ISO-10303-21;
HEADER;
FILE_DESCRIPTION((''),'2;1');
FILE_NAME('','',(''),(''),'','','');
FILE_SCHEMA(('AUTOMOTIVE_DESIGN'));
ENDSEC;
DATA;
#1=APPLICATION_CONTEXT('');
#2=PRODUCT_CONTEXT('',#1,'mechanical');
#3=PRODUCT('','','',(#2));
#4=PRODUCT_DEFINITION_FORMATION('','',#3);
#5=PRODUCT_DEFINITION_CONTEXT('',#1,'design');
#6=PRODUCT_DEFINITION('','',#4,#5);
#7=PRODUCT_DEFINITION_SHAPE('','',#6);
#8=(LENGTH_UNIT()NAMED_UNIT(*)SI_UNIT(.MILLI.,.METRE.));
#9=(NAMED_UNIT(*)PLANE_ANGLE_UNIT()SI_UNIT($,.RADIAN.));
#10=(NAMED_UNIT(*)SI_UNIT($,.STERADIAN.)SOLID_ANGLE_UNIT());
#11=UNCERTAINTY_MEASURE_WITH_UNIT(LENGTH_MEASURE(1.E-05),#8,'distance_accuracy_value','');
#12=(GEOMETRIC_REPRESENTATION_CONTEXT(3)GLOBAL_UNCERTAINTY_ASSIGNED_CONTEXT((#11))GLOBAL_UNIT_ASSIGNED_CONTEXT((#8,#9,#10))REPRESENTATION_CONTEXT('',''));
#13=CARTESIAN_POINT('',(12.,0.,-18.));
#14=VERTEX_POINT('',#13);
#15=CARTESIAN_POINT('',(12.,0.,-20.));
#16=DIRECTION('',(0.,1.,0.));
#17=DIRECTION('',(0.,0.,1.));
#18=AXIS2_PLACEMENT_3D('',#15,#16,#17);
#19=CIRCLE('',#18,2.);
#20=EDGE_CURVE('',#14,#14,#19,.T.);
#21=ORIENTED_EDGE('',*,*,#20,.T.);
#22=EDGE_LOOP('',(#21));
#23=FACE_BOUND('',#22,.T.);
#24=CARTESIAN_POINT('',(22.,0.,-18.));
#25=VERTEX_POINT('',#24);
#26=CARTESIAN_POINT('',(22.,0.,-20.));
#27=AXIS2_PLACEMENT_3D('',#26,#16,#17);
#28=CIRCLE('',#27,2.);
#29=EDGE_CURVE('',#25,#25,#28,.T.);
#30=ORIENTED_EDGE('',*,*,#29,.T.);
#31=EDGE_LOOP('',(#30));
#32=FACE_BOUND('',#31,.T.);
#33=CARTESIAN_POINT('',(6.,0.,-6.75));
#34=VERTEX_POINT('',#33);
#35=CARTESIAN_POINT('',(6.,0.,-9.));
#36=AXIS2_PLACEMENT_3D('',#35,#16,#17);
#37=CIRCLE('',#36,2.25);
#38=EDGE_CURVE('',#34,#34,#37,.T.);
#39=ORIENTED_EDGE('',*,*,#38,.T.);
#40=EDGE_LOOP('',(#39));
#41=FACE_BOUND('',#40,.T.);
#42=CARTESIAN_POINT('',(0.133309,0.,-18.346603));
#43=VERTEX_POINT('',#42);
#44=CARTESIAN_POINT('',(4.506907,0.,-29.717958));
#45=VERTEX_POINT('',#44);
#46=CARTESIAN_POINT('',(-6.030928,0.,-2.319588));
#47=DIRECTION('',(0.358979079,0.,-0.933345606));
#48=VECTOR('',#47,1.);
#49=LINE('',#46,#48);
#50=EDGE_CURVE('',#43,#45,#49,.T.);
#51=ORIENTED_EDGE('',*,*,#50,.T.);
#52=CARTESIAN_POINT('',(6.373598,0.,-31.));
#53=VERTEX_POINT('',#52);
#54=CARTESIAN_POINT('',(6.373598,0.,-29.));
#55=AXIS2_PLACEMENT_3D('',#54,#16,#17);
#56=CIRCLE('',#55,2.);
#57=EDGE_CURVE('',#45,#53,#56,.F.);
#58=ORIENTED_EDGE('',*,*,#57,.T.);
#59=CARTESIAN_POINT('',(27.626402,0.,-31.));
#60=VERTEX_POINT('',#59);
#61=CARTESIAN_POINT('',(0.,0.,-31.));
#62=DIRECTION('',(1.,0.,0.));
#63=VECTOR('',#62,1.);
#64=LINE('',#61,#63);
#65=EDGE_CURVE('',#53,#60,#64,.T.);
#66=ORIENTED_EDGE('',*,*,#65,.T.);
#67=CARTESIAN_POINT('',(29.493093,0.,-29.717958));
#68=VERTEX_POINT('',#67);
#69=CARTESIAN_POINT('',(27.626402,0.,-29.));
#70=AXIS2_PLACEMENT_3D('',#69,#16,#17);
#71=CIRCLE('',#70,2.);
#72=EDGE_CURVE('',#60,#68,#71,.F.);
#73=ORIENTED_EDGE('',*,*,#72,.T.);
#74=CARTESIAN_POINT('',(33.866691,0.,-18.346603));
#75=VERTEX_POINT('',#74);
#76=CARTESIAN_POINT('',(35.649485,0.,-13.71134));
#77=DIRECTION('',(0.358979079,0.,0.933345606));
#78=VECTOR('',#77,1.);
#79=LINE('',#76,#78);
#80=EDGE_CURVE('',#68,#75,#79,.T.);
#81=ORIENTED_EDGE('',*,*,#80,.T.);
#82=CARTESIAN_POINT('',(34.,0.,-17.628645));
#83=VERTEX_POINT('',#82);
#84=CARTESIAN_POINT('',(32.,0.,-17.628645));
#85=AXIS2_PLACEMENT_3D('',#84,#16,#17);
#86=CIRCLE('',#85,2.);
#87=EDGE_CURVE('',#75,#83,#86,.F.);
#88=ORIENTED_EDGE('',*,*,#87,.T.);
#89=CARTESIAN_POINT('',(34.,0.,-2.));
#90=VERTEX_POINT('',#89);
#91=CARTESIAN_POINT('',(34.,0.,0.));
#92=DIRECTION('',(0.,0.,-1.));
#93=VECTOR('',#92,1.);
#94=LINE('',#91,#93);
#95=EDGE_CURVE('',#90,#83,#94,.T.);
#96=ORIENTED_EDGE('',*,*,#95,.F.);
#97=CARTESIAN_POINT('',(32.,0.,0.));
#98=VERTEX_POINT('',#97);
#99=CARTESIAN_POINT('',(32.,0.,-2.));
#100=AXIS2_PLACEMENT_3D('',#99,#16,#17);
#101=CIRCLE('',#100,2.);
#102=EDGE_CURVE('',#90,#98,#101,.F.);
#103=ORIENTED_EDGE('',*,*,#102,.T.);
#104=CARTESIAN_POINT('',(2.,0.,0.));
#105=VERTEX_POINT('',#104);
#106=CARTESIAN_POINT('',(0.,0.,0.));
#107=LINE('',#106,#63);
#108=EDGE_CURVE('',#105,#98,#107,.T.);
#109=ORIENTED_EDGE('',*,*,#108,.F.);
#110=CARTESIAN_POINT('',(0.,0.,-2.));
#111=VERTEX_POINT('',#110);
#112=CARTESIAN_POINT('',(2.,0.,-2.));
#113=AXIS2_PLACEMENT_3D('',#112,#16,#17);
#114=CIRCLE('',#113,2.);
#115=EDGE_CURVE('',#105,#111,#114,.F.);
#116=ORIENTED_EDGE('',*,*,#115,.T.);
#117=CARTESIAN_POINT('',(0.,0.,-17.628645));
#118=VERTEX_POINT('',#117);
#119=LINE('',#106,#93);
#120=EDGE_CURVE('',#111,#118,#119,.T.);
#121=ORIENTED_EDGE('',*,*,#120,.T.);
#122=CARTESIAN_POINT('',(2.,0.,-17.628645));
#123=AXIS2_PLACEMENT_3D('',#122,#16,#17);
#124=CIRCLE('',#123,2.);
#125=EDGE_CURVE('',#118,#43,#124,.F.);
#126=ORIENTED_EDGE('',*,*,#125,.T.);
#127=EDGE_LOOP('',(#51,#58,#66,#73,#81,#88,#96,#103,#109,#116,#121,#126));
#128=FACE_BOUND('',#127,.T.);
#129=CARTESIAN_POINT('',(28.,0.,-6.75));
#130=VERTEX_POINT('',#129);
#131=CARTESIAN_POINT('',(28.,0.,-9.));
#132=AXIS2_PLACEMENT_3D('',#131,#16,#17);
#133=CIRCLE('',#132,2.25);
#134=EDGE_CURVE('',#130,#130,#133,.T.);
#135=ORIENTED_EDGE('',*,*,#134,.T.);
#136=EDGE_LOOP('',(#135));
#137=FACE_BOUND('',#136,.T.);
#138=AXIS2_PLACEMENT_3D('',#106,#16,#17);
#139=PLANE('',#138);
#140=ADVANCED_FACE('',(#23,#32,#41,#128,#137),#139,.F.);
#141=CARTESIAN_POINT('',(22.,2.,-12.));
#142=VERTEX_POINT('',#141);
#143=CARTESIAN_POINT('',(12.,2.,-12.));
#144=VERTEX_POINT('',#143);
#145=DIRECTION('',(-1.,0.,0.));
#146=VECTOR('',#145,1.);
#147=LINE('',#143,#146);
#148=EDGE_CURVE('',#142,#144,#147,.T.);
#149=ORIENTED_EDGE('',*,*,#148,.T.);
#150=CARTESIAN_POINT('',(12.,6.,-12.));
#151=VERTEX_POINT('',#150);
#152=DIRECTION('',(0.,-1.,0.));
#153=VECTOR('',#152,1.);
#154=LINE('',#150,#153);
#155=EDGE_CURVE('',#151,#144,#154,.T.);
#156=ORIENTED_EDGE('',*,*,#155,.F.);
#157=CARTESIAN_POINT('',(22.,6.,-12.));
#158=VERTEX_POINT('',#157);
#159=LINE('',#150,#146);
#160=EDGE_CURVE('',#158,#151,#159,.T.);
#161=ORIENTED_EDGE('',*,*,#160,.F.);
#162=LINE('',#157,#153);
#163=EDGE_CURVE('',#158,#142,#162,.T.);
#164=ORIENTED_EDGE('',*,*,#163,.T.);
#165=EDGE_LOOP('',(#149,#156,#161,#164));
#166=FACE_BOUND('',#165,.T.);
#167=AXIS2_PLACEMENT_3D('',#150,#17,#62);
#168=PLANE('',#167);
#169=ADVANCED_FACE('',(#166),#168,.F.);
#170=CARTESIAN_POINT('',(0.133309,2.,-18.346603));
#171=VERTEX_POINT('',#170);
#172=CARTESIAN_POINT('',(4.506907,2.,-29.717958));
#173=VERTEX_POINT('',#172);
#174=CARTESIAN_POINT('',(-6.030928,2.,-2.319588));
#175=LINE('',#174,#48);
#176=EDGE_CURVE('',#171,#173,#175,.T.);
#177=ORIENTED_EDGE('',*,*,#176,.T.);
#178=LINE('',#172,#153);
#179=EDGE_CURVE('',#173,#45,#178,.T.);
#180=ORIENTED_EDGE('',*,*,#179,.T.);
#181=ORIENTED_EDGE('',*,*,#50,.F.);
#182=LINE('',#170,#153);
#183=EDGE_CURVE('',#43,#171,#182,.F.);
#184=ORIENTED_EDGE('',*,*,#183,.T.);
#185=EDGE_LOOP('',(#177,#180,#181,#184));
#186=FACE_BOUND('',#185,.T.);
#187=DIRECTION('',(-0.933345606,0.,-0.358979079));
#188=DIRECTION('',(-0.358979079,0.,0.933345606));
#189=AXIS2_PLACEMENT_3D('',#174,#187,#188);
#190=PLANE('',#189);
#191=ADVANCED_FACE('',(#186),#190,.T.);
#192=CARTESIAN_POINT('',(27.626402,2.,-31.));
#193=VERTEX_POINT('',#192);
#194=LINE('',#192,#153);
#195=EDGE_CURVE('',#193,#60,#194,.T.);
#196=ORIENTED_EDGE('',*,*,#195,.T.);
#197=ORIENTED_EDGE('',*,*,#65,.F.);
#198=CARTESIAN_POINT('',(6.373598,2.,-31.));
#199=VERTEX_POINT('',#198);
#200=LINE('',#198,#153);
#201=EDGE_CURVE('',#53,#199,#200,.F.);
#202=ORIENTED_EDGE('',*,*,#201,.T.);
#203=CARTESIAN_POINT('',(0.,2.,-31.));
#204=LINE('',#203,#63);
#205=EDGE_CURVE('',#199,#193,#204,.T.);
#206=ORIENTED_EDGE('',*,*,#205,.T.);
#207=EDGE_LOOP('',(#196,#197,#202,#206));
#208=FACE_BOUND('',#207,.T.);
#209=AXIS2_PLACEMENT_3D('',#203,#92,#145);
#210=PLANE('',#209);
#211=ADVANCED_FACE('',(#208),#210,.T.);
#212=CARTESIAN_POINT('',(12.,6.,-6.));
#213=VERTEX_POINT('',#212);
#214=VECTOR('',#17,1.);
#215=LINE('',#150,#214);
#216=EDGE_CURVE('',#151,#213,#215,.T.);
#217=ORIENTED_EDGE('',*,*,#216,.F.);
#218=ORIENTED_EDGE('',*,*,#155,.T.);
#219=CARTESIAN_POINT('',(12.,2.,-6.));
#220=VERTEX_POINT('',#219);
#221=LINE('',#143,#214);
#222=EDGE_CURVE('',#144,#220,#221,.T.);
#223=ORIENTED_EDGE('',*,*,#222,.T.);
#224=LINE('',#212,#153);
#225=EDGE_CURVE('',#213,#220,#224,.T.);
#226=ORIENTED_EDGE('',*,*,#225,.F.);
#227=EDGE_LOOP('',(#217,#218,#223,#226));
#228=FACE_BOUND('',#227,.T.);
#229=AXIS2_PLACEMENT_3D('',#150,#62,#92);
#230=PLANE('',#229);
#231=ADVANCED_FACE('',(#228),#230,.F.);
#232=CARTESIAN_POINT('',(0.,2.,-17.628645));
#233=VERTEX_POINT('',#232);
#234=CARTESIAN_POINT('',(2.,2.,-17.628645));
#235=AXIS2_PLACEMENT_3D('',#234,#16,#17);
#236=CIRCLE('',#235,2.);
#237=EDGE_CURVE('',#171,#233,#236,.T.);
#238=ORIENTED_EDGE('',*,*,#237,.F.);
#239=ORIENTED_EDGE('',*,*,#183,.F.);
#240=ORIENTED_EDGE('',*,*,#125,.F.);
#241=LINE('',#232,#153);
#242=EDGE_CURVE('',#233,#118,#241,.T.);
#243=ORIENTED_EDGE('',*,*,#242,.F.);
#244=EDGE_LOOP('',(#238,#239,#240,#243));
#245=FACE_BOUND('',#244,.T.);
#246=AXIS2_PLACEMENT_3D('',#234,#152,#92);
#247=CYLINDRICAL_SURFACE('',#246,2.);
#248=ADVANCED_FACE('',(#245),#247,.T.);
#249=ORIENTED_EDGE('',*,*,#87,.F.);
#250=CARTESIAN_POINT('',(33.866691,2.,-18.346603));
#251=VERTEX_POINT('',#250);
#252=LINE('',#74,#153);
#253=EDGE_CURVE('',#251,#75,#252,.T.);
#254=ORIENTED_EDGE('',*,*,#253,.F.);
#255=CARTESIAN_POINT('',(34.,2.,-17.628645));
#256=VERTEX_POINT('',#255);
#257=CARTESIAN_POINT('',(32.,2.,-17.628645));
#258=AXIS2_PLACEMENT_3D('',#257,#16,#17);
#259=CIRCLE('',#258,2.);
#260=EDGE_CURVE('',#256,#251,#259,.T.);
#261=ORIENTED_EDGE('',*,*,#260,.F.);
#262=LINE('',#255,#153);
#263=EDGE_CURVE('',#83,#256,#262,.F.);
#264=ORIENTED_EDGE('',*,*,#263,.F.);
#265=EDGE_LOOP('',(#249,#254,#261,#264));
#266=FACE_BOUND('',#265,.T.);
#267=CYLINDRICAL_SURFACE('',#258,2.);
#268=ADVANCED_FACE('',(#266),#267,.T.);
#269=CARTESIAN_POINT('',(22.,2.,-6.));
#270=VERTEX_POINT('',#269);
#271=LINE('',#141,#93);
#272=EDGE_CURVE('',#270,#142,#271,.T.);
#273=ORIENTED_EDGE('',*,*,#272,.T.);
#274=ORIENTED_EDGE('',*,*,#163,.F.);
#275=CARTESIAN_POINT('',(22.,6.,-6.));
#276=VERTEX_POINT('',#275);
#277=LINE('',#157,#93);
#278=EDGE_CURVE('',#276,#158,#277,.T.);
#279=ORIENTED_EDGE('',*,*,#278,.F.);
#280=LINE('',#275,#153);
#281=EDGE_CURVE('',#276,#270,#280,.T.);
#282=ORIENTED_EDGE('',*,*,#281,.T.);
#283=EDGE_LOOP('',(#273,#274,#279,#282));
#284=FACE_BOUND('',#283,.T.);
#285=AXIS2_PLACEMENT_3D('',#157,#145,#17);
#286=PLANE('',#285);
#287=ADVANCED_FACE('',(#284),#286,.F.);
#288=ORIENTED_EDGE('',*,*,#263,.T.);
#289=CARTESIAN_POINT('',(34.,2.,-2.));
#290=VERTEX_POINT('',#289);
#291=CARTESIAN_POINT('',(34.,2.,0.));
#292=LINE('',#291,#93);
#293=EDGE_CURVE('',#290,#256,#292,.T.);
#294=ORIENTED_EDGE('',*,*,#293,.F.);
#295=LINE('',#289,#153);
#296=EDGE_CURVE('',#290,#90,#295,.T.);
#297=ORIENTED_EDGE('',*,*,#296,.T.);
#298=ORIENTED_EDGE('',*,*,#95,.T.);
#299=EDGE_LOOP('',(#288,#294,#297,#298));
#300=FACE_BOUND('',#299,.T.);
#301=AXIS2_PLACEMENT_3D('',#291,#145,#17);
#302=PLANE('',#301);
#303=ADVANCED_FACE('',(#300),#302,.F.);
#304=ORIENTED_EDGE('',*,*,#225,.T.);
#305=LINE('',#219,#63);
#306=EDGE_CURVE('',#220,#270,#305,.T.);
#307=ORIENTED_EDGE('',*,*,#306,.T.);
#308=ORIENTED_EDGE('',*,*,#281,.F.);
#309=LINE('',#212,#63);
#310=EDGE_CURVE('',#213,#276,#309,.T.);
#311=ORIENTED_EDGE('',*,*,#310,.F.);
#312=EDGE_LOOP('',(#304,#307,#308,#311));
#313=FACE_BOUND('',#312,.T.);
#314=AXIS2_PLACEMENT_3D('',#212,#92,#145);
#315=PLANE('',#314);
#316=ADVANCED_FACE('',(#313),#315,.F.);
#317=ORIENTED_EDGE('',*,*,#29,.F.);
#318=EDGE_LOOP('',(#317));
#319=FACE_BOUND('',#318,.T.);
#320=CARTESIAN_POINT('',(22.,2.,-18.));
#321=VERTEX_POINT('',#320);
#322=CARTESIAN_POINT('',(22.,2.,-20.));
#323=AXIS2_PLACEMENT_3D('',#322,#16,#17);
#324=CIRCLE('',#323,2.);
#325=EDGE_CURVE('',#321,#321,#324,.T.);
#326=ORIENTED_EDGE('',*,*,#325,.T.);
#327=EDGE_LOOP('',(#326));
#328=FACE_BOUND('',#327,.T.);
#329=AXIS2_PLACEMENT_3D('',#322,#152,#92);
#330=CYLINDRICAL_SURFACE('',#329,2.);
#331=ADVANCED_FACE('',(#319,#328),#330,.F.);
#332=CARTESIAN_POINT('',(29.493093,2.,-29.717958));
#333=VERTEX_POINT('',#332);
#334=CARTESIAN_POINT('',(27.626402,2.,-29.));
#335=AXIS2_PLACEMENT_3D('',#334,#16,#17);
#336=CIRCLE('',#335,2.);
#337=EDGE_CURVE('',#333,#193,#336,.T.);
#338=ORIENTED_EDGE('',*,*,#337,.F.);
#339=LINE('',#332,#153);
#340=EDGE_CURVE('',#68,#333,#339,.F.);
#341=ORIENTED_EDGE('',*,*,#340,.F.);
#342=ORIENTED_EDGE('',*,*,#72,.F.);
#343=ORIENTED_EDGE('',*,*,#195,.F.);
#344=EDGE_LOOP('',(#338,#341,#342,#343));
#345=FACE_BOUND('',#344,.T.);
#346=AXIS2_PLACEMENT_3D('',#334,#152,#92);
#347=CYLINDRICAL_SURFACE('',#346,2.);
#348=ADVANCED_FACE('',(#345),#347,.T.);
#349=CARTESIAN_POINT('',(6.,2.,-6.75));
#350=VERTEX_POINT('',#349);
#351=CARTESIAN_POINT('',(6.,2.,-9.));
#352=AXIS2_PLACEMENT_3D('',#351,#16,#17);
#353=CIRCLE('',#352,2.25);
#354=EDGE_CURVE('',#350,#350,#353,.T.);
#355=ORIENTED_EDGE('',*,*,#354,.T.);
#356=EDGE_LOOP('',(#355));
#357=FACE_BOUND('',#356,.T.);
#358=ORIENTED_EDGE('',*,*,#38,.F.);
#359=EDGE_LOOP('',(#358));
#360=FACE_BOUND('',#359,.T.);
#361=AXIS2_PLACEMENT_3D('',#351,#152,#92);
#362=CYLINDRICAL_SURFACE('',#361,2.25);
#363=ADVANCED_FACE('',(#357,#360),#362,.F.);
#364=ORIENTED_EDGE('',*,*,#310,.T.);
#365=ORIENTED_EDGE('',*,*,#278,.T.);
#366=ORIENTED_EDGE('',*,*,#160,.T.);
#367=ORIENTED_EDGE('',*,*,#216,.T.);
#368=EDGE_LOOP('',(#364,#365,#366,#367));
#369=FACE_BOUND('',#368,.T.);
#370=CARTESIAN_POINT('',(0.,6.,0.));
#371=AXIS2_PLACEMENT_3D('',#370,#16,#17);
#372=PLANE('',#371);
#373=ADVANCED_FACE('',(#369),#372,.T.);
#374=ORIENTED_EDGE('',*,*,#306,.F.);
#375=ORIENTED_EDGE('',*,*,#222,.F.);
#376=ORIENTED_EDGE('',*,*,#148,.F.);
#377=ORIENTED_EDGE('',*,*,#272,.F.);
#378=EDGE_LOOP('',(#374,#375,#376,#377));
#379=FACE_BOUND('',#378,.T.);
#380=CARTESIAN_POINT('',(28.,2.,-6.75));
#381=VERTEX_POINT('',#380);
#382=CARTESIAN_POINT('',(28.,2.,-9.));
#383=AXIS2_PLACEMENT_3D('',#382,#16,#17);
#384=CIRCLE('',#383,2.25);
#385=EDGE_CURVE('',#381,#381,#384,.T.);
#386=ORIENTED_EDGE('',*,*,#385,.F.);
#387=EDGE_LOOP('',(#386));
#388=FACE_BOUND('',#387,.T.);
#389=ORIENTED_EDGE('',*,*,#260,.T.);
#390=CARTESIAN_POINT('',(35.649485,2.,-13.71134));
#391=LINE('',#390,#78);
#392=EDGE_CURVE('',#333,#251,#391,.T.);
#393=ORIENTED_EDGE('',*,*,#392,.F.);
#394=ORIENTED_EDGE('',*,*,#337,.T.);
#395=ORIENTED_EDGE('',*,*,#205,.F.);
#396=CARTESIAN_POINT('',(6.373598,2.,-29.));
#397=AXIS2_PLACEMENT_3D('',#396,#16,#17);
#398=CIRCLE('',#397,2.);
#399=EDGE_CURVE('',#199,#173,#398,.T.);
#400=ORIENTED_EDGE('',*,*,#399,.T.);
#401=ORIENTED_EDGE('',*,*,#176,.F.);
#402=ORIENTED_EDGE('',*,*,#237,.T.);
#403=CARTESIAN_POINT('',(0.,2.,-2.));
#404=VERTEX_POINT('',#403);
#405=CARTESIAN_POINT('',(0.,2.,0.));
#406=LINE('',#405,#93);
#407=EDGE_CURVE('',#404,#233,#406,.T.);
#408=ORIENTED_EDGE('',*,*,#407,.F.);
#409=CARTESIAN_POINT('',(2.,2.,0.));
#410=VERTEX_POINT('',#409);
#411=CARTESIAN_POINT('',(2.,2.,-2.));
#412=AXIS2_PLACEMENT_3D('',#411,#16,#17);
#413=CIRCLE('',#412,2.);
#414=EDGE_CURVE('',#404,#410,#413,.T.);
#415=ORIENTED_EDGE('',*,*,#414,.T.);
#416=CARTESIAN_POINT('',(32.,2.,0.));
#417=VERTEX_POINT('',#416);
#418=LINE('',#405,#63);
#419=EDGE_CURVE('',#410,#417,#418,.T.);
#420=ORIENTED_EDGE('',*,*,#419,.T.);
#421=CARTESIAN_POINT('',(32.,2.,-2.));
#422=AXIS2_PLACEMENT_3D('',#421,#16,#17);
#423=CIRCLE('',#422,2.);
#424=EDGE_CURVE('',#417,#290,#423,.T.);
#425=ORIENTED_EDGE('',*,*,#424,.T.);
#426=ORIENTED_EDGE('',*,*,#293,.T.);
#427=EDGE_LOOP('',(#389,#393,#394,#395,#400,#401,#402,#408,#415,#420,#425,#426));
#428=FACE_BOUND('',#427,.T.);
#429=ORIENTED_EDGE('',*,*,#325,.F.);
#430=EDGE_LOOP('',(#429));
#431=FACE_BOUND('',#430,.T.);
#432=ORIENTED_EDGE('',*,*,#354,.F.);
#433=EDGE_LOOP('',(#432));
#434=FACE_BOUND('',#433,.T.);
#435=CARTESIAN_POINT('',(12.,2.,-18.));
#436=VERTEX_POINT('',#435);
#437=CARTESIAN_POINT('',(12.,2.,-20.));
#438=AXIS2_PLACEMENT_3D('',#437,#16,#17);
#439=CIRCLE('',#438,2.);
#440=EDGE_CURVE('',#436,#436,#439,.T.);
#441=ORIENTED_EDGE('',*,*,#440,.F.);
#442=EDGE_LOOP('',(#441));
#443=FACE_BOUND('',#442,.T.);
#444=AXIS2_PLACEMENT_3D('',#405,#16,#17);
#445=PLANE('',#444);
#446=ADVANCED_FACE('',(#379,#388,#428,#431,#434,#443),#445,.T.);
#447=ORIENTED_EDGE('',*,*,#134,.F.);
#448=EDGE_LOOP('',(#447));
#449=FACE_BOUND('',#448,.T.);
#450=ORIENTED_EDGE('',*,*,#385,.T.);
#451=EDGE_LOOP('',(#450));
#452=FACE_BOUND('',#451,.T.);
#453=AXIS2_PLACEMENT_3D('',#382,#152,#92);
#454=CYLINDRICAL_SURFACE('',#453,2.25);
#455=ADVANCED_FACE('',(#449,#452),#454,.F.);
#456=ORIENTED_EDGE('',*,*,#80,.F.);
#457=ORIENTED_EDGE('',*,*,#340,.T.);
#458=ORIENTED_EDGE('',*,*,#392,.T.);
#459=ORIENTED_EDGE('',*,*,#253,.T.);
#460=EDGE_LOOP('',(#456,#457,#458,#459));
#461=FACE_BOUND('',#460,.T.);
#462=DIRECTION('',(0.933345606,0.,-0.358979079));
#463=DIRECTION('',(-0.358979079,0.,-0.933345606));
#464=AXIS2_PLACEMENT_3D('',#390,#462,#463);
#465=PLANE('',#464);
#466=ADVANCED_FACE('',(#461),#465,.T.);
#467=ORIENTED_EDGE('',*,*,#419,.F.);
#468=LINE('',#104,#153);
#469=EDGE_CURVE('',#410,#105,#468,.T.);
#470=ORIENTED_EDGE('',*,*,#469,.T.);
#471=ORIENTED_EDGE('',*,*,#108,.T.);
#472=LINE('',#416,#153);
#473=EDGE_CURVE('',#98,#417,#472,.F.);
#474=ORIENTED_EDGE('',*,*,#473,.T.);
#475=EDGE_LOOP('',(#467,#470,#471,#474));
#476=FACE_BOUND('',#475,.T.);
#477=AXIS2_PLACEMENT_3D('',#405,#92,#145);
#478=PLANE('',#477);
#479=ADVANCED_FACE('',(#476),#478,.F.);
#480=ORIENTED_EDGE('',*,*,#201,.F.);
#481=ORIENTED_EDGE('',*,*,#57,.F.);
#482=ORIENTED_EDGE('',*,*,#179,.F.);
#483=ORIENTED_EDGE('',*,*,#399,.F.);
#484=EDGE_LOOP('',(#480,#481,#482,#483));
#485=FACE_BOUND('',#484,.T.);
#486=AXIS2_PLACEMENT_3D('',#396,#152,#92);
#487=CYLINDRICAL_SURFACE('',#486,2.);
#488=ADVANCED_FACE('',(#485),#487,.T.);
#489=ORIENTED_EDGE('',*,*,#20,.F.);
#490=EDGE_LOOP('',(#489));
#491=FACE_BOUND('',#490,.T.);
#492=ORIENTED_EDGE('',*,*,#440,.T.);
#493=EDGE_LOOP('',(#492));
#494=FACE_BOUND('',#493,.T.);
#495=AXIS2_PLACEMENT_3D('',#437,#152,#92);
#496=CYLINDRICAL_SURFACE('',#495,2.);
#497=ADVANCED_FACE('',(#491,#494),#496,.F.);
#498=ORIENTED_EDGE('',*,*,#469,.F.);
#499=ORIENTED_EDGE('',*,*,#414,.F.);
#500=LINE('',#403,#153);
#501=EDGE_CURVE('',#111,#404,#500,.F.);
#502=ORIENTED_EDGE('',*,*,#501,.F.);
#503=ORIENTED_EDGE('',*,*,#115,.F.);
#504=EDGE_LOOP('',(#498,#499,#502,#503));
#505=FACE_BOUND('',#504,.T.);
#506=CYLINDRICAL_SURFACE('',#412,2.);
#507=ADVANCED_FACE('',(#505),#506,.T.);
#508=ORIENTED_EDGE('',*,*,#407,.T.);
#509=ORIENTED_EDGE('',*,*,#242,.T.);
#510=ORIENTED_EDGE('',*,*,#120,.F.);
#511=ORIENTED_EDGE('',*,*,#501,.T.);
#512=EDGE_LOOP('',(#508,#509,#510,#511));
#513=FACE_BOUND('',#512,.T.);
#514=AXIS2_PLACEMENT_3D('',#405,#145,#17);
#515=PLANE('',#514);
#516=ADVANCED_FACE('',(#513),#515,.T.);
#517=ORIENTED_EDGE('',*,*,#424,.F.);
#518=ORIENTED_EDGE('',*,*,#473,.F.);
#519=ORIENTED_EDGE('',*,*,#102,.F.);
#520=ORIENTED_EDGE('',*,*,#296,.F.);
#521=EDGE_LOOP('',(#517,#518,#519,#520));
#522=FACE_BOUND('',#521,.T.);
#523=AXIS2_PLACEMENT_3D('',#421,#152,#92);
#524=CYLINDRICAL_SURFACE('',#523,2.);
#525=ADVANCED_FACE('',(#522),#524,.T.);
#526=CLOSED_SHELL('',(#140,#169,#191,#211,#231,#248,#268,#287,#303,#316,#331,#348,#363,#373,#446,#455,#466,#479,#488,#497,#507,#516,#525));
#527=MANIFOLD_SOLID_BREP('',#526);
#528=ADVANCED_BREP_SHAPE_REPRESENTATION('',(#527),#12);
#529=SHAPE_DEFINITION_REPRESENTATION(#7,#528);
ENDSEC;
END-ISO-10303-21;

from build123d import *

# Parameters (mm, degrees)
SKETCH_1_R      = 2.25
SKETCH_1_R_2    = 2
EXTRUDE_1_DEPTH = 2
SKETCH_2_W      = 10
SKETCH_2_H      = 6
EXTRUDE_2_DEPTH = 4
FILLET_1_R      = 2


with BuildPart() as part:
    # Эскиз1 → Бобышка-Вытянуть1 (new body)
    with BuildSketch(Plane(origin=(0, 0, 0), x_dir=(1, 0, 0), z_dir=(0, 1, 0))):
        Polygon((5, 31), (0, 18), (0, 0), (34, 0), (34, 18), (29, 31), align=None)
        with Locations(Location((6, 9, 0), (0, 0, 270))):
            Circle(SKETCH_1_R, mode=Mode.SUBTRACT)
        with Locations(Location((28, 9, 0), (0, 0, 270))):
            Circle(SKETCH_1_R, mode=Mode.SUBTRACT)
        with Locations(Location((12, 20, 0), (0, 0, 270))):
            Circle(SKETCH_1_R_2, mode=Mode.SUBTRACT)
        with Locations(Location((22, 20, 0), (0, 0, 270))):
            Circle(SKETCH_1_R_2, mode=Mode.SUBTRACT)
    extrude(amount=EXTRUDE_1_DEPTH)

    # Эскиз2 → Бобышка-Вытянуть2 (add)
    with BuildSketch(Plane(origin=(0, 2, 0), x_dir=(1, 0, 0), z_dir=(0, 1, 0))):
        with Locations((17, 9)):
            Rectangle(SKETCH_2_W, SKETCH_2_H)
    extrude(amount=EXTRUDE_2_DEPTH)

    # Скругление1
    fillet_1_edges = [part.edges().sort_by_distance(p)[0] for p in [
        (34, 1, -18),
        (34, 1, 0),
        (0, 1, 0),
        (0, 1, -18),
        (5, 1, -31),
        (29, 1, -31),
    ]]
    fillet(fillet_1_edges, radius=FILLET_1_R)


solid = part.part
